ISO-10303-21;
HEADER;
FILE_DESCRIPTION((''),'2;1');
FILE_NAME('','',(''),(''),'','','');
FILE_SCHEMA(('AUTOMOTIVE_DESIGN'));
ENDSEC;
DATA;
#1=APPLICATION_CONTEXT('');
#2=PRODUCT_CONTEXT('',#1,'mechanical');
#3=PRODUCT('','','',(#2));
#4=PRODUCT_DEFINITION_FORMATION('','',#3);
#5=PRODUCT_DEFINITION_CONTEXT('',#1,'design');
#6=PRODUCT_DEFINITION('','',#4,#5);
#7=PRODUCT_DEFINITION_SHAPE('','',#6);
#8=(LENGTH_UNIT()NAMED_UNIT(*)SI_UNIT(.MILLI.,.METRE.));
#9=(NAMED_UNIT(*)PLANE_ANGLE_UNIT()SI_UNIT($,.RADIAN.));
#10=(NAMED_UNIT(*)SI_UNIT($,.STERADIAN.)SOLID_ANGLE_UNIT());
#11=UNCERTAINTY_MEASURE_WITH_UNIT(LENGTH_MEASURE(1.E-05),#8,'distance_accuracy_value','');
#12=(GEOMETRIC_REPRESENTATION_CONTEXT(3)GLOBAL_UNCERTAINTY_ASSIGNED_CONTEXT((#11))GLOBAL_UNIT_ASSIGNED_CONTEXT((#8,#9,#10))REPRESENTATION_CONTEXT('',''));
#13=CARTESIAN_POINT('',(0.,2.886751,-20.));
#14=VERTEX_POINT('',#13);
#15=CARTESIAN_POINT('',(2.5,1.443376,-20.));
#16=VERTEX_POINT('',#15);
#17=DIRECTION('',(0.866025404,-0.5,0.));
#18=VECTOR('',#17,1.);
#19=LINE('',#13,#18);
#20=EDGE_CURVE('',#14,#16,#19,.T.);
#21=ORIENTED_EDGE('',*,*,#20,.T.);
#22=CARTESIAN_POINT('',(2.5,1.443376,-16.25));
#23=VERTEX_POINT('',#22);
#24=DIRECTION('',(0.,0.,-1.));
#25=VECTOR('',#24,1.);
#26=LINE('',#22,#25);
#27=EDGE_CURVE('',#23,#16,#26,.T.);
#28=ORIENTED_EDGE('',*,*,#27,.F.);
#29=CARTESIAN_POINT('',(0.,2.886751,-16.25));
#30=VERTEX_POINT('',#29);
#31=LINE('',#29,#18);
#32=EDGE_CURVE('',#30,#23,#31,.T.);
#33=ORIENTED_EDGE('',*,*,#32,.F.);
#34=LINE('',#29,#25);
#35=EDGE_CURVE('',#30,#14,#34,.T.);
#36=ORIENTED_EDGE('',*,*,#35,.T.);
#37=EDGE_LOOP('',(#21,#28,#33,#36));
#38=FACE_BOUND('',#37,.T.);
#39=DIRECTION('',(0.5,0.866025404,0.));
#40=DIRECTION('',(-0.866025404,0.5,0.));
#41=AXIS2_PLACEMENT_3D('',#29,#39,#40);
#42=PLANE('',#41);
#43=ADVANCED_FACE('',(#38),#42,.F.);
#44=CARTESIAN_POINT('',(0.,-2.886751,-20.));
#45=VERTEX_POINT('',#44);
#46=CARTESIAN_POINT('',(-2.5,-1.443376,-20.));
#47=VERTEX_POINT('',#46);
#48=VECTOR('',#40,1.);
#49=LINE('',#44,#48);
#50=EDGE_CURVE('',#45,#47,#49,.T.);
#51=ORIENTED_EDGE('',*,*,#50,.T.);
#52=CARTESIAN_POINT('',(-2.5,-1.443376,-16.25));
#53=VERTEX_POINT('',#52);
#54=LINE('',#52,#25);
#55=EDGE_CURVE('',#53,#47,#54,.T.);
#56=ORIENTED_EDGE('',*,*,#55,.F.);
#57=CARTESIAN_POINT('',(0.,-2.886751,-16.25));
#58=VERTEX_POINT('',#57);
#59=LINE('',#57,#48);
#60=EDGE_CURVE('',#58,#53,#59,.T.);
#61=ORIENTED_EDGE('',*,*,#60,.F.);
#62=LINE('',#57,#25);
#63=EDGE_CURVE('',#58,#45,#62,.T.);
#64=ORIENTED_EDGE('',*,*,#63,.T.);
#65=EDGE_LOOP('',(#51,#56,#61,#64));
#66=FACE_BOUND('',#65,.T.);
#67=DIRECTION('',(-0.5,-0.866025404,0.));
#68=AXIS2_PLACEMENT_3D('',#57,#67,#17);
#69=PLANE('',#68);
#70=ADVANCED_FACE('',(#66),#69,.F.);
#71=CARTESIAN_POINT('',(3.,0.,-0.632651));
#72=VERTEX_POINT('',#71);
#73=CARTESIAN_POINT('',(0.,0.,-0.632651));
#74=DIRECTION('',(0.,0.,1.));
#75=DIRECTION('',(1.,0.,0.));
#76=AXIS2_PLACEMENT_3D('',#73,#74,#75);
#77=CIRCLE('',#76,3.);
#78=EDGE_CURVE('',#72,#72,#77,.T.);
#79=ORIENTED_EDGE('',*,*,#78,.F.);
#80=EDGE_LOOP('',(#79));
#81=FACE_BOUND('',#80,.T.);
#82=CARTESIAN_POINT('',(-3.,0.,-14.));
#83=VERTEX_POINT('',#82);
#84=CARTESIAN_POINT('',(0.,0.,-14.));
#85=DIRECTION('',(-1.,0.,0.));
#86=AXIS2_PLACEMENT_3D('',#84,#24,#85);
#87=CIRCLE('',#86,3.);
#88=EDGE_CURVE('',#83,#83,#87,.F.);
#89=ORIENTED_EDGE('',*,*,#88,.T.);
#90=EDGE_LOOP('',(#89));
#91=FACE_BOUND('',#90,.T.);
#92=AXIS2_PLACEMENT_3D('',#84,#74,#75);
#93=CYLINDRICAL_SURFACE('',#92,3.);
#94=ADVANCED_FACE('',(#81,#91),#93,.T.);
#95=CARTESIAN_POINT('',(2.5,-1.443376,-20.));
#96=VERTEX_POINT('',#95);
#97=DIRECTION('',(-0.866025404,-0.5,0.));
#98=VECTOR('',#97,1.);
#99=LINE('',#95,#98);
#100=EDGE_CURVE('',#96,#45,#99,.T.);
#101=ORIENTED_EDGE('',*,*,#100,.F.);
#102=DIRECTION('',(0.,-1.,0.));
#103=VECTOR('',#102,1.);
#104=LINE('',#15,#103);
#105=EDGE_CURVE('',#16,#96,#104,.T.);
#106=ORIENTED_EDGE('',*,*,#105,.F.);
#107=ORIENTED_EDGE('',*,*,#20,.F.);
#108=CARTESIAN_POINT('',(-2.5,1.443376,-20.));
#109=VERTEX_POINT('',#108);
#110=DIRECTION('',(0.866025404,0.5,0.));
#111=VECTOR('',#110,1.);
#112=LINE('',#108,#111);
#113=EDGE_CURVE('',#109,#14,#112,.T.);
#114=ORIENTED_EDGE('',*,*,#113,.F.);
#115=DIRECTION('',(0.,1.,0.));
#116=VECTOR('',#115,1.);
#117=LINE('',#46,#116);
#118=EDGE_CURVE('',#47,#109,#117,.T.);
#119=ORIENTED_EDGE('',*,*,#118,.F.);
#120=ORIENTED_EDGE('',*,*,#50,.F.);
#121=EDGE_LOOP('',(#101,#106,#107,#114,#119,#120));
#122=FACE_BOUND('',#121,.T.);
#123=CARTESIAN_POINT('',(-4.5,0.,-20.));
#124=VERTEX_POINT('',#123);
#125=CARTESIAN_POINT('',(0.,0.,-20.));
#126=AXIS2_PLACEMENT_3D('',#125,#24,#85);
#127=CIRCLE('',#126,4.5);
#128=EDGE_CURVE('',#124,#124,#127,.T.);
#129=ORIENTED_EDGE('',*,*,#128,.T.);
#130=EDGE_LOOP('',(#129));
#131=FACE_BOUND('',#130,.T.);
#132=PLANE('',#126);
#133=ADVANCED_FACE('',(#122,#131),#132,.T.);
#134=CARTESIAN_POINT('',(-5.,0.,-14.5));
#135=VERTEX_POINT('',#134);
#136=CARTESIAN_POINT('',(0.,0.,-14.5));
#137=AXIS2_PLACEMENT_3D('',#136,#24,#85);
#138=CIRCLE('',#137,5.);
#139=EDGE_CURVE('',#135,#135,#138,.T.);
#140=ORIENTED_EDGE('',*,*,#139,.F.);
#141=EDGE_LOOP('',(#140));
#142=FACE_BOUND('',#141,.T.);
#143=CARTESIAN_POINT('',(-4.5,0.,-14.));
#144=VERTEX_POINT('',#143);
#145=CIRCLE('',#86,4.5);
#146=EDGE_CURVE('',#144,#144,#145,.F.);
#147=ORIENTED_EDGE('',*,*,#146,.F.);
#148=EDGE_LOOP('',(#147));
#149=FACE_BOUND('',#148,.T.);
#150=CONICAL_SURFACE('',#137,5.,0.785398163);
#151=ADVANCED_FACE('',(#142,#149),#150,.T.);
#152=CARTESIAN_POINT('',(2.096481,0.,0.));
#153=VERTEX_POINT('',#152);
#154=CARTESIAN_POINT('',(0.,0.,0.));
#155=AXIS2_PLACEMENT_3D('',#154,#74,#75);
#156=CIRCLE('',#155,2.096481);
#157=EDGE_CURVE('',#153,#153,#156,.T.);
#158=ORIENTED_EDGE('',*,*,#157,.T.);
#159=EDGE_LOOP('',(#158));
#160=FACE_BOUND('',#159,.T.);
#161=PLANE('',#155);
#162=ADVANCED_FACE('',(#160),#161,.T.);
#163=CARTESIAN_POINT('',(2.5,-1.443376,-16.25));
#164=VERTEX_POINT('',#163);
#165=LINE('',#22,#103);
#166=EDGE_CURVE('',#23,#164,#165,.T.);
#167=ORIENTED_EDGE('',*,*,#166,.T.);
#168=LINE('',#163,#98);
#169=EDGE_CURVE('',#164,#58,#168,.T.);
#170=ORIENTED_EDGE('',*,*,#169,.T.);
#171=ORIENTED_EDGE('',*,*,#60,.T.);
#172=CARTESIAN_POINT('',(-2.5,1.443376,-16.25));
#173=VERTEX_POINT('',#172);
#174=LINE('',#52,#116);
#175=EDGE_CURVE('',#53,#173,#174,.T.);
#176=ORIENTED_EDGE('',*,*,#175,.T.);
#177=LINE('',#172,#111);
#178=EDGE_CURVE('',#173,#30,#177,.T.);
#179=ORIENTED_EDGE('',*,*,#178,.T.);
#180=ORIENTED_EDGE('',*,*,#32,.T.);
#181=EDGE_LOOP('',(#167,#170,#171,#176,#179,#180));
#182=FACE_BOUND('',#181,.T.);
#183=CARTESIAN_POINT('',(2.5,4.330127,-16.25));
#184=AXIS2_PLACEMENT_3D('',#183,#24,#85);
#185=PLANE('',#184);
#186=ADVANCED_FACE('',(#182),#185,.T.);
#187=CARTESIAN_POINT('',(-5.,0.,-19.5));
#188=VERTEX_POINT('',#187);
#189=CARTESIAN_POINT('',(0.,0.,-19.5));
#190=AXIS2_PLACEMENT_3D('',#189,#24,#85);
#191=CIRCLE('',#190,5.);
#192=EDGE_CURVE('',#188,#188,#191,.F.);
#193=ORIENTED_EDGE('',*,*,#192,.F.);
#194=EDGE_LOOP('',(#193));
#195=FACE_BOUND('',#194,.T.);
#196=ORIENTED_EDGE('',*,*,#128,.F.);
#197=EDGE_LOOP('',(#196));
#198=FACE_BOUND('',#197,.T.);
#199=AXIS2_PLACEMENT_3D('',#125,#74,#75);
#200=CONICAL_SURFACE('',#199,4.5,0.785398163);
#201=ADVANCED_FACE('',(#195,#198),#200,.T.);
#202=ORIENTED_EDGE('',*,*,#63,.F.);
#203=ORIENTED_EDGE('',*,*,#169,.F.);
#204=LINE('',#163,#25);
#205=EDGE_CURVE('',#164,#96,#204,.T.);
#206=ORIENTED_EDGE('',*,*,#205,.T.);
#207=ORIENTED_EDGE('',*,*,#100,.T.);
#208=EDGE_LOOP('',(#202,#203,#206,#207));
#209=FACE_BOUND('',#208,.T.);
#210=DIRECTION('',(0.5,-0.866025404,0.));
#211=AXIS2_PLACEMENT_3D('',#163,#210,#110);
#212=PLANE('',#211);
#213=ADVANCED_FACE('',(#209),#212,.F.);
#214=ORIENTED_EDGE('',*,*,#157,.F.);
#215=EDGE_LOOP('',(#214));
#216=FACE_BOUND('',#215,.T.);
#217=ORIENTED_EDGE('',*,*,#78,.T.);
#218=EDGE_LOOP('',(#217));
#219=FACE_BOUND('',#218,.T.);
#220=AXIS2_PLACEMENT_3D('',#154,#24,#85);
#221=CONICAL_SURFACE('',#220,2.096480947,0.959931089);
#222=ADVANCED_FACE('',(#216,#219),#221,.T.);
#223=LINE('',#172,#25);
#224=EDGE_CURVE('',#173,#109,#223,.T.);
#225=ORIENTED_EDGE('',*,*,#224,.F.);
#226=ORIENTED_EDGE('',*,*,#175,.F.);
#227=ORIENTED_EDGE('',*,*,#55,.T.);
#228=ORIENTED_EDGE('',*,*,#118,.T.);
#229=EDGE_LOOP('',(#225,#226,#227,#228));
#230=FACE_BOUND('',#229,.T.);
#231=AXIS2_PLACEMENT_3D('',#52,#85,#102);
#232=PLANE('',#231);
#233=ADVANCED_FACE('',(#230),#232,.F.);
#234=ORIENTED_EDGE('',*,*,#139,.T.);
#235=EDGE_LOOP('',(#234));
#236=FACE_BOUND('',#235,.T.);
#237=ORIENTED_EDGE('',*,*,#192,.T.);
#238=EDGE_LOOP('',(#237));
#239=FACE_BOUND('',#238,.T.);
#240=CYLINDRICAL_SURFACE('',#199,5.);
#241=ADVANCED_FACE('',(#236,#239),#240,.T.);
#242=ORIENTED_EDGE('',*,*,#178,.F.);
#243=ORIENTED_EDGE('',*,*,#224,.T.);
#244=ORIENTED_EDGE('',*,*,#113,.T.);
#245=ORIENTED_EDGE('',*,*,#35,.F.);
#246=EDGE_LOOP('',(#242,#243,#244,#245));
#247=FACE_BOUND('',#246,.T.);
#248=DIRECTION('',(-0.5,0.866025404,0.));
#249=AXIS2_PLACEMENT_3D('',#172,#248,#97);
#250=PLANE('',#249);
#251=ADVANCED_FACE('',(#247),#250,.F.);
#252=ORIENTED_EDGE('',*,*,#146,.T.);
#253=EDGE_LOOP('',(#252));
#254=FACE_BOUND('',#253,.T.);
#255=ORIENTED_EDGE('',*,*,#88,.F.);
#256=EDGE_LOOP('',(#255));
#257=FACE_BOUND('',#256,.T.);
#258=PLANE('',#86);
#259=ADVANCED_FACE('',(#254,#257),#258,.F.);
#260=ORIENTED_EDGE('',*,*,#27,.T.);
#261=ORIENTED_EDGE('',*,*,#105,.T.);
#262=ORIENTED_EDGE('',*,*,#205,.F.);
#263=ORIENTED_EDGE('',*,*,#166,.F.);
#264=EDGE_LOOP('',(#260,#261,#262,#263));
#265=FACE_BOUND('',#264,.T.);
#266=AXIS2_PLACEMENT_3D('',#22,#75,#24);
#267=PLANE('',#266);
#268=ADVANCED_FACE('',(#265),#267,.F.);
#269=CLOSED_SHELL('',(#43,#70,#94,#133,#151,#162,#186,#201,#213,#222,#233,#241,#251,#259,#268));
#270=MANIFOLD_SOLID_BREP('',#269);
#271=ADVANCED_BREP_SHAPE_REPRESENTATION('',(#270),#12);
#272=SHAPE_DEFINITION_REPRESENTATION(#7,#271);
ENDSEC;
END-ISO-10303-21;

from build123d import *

# Parameters (mm, degrees)
SKETCH1_R          = 3
EXTRUDE1_DEPTH     = 14
SKETCH6_R          = 5
EXTRUDE2_DEPTH     = 6
CUT_EXTRUDE1_DEPTH = 3.75
CHAMFER1_SIZE      = 0.5


with BuildPart() as part:
    # Sketch1 → Extrude1 (new body)
    with BuildSketch(Plane.XY):
        Circle(SKETCH1_R)
    extrude(amount=-EXTRUDE1_DEPTH)

    # Sketch4 → Cut-Revolve1 (revolve, cut)
    with BuildSketch(Plane(origin=(0, 0, 0), x_dir=(0, 0, -1), z_dir=(1, 0, 0))):
        Polygon((0.632650852, 3), (0, 2.096480947), (0, 3), align=None)
    revolve(axis=Axis((0, 0, 0), (0, 0, -1)), mode=Mode.SUBTRACT)

    # Sketch6 → Extrude2 (add)
    with BuildSketch(Plane(origin=(0, 0, -14), x_dir=(-1, 0, 0), z_dir=(0, 0, -1))):
        Circle(SKETCH6_R)
    extrude(amount=EXTRUDE2_DEPTH)

    # Sketch7 → Cut-Extrude1 (cut)
    with BuildSketch(Plane(origin=(0, 0, -20), x_dir=(-1, 0, 0), z_dir=(0, 0, -1))):
        Polygon((0, 2.886751346), (-2.5, 1.443375673), (-2.5, -1.443375673), (0, -2.886751346), (2.5, -1.443375673), (2.5, 1.443375673), align=None)
    extrude(amount=-CUT_EXTRUDE1_DEPTH, mode=Mode.SUBTRACT)

    # Chamfer1
    chamfer1_edges = [part.edges().sort_by_distance(p)[0] for p in [
        (5, 0, -20),
        (5, 0, -14),
    ]]
    chamfer(chamfer1_edges, length=CHAMFER1_SIZE)


solid = part.part
